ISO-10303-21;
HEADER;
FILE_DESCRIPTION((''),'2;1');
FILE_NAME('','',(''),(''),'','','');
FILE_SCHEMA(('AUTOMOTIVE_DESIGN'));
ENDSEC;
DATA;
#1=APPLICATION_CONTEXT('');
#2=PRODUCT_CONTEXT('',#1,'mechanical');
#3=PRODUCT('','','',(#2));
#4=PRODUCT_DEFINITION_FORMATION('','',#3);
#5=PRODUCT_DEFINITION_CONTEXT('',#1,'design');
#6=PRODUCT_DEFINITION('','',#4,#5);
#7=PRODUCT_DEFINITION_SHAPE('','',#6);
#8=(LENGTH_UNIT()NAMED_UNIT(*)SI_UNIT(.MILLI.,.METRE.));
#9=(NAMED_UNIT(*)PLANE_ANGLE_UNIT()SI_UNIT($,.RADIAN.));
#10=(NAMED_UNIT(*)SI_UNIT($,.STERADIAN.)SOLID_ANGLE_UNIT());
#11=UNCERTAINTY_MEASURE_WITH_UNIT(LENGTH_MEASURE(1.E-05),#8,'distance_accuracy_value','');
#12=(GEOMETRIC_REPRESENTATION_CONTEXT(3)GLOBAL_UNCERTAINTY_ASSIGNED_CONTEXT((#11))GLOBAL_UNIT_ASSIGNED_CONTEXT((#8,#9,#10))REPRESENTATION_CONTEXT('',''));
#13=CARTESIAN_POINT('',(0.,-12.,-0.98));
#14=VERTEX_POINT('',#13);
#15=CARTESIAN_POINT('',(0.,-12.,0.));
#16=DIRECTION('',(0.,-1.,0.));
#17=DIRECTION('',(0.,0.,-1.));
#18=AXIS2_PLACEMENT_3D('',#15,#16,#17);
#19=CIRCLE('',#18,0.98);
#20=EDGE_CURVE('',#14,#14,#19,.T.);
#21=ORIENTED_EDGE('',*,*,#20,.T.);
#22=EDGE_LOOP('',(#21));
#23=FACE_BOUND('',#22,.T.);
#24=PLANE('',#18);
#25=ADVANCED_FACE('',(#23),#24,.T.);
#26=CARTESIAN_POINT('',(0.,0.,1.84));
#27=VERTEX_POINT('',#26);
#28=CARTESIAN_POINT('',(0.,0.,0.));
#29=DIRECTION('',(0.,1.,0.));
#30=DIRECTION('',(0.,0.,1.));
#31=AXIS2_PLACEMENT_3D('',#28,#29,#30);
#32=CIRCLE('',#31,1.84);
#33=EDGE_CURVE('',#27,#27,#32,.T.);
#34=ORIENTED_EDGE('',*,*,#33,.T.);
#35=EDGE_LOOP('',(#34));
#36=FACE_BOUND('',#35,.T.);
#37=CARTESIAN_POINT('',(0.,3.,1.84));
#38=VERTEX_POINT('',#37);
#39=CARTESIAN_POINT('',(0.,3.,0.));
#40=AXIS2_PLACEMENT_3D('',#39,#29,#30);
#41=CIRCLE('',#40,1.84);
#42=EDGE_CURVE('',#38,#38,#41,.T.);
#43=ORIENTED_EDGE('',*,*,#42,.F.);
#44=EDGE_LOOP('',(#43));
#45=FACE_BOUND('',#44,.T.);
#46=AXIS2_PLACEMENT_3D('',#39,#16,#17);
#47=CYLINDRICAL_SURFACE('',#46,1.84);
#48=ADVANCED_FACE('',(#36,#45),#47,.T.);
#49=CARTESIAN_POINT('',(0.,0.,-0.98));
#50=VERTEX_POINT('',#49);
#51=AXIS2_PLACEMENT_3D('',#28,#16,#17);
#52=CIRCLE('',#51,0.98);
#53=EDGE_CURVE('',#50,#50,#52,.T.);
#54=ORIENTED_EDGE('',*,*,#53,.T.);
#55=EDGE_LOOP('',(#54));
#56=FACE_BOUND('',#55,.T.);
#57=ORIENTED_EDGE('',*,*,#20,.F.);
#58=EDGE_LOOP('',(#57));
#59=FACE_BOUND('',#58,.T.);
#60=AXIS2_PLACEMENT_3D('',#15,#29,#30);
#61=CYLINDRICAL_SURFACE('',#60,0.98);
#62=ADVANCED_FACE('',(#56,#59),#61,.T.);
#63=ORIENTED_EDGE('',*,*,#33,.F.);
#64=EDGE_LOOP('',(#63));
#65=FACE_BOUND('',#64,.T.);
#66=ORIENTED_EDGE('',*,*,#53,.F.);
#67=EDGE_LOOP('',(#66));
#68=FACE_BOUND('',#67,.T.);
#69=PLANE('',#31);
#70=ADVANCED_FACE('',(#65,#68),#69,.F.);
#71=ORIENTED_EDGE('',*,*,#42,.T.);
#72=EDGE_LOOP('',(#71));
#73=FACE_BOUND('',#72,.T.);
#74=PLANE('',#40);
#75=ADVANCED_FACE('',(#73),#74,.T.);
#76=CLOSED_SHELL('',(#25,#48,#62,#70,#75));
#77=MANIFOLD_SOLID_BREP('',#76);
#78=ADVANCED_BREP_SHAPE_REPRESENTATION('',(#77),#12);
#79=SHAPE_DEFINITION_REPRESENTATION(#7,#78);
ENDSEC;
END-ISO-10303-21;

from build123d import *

# Parameters (mm, degrees)
SKETCH1_R           = 1.84
BOSS_EXTRUDE1_DEPTH = 3
SKETCH2_R           = 0.98
BOSS_EXTRUDE2_DEPTH = 12


with BuildPart() as part:
    # Sketch1 → Boss-Extrude1 (new body)
    with BuildSketch(Plane(origin=(0, 0, 0), x_dir=(1, 0, 0), z_dir=(0, 1, 0))):
        Circle(SKETCH1_R)
    extrude(amount=BOSS_EXTRUDE1_DEPTH)

    # Sketch2 → Boss-Extrude2 (add)
    with BuildSketch(Plane.XZ):
        Circle(SKETCH2_R)
    extrude(amount=BOSS_EXTRUDE2_DEPTH)


solid = part.part
